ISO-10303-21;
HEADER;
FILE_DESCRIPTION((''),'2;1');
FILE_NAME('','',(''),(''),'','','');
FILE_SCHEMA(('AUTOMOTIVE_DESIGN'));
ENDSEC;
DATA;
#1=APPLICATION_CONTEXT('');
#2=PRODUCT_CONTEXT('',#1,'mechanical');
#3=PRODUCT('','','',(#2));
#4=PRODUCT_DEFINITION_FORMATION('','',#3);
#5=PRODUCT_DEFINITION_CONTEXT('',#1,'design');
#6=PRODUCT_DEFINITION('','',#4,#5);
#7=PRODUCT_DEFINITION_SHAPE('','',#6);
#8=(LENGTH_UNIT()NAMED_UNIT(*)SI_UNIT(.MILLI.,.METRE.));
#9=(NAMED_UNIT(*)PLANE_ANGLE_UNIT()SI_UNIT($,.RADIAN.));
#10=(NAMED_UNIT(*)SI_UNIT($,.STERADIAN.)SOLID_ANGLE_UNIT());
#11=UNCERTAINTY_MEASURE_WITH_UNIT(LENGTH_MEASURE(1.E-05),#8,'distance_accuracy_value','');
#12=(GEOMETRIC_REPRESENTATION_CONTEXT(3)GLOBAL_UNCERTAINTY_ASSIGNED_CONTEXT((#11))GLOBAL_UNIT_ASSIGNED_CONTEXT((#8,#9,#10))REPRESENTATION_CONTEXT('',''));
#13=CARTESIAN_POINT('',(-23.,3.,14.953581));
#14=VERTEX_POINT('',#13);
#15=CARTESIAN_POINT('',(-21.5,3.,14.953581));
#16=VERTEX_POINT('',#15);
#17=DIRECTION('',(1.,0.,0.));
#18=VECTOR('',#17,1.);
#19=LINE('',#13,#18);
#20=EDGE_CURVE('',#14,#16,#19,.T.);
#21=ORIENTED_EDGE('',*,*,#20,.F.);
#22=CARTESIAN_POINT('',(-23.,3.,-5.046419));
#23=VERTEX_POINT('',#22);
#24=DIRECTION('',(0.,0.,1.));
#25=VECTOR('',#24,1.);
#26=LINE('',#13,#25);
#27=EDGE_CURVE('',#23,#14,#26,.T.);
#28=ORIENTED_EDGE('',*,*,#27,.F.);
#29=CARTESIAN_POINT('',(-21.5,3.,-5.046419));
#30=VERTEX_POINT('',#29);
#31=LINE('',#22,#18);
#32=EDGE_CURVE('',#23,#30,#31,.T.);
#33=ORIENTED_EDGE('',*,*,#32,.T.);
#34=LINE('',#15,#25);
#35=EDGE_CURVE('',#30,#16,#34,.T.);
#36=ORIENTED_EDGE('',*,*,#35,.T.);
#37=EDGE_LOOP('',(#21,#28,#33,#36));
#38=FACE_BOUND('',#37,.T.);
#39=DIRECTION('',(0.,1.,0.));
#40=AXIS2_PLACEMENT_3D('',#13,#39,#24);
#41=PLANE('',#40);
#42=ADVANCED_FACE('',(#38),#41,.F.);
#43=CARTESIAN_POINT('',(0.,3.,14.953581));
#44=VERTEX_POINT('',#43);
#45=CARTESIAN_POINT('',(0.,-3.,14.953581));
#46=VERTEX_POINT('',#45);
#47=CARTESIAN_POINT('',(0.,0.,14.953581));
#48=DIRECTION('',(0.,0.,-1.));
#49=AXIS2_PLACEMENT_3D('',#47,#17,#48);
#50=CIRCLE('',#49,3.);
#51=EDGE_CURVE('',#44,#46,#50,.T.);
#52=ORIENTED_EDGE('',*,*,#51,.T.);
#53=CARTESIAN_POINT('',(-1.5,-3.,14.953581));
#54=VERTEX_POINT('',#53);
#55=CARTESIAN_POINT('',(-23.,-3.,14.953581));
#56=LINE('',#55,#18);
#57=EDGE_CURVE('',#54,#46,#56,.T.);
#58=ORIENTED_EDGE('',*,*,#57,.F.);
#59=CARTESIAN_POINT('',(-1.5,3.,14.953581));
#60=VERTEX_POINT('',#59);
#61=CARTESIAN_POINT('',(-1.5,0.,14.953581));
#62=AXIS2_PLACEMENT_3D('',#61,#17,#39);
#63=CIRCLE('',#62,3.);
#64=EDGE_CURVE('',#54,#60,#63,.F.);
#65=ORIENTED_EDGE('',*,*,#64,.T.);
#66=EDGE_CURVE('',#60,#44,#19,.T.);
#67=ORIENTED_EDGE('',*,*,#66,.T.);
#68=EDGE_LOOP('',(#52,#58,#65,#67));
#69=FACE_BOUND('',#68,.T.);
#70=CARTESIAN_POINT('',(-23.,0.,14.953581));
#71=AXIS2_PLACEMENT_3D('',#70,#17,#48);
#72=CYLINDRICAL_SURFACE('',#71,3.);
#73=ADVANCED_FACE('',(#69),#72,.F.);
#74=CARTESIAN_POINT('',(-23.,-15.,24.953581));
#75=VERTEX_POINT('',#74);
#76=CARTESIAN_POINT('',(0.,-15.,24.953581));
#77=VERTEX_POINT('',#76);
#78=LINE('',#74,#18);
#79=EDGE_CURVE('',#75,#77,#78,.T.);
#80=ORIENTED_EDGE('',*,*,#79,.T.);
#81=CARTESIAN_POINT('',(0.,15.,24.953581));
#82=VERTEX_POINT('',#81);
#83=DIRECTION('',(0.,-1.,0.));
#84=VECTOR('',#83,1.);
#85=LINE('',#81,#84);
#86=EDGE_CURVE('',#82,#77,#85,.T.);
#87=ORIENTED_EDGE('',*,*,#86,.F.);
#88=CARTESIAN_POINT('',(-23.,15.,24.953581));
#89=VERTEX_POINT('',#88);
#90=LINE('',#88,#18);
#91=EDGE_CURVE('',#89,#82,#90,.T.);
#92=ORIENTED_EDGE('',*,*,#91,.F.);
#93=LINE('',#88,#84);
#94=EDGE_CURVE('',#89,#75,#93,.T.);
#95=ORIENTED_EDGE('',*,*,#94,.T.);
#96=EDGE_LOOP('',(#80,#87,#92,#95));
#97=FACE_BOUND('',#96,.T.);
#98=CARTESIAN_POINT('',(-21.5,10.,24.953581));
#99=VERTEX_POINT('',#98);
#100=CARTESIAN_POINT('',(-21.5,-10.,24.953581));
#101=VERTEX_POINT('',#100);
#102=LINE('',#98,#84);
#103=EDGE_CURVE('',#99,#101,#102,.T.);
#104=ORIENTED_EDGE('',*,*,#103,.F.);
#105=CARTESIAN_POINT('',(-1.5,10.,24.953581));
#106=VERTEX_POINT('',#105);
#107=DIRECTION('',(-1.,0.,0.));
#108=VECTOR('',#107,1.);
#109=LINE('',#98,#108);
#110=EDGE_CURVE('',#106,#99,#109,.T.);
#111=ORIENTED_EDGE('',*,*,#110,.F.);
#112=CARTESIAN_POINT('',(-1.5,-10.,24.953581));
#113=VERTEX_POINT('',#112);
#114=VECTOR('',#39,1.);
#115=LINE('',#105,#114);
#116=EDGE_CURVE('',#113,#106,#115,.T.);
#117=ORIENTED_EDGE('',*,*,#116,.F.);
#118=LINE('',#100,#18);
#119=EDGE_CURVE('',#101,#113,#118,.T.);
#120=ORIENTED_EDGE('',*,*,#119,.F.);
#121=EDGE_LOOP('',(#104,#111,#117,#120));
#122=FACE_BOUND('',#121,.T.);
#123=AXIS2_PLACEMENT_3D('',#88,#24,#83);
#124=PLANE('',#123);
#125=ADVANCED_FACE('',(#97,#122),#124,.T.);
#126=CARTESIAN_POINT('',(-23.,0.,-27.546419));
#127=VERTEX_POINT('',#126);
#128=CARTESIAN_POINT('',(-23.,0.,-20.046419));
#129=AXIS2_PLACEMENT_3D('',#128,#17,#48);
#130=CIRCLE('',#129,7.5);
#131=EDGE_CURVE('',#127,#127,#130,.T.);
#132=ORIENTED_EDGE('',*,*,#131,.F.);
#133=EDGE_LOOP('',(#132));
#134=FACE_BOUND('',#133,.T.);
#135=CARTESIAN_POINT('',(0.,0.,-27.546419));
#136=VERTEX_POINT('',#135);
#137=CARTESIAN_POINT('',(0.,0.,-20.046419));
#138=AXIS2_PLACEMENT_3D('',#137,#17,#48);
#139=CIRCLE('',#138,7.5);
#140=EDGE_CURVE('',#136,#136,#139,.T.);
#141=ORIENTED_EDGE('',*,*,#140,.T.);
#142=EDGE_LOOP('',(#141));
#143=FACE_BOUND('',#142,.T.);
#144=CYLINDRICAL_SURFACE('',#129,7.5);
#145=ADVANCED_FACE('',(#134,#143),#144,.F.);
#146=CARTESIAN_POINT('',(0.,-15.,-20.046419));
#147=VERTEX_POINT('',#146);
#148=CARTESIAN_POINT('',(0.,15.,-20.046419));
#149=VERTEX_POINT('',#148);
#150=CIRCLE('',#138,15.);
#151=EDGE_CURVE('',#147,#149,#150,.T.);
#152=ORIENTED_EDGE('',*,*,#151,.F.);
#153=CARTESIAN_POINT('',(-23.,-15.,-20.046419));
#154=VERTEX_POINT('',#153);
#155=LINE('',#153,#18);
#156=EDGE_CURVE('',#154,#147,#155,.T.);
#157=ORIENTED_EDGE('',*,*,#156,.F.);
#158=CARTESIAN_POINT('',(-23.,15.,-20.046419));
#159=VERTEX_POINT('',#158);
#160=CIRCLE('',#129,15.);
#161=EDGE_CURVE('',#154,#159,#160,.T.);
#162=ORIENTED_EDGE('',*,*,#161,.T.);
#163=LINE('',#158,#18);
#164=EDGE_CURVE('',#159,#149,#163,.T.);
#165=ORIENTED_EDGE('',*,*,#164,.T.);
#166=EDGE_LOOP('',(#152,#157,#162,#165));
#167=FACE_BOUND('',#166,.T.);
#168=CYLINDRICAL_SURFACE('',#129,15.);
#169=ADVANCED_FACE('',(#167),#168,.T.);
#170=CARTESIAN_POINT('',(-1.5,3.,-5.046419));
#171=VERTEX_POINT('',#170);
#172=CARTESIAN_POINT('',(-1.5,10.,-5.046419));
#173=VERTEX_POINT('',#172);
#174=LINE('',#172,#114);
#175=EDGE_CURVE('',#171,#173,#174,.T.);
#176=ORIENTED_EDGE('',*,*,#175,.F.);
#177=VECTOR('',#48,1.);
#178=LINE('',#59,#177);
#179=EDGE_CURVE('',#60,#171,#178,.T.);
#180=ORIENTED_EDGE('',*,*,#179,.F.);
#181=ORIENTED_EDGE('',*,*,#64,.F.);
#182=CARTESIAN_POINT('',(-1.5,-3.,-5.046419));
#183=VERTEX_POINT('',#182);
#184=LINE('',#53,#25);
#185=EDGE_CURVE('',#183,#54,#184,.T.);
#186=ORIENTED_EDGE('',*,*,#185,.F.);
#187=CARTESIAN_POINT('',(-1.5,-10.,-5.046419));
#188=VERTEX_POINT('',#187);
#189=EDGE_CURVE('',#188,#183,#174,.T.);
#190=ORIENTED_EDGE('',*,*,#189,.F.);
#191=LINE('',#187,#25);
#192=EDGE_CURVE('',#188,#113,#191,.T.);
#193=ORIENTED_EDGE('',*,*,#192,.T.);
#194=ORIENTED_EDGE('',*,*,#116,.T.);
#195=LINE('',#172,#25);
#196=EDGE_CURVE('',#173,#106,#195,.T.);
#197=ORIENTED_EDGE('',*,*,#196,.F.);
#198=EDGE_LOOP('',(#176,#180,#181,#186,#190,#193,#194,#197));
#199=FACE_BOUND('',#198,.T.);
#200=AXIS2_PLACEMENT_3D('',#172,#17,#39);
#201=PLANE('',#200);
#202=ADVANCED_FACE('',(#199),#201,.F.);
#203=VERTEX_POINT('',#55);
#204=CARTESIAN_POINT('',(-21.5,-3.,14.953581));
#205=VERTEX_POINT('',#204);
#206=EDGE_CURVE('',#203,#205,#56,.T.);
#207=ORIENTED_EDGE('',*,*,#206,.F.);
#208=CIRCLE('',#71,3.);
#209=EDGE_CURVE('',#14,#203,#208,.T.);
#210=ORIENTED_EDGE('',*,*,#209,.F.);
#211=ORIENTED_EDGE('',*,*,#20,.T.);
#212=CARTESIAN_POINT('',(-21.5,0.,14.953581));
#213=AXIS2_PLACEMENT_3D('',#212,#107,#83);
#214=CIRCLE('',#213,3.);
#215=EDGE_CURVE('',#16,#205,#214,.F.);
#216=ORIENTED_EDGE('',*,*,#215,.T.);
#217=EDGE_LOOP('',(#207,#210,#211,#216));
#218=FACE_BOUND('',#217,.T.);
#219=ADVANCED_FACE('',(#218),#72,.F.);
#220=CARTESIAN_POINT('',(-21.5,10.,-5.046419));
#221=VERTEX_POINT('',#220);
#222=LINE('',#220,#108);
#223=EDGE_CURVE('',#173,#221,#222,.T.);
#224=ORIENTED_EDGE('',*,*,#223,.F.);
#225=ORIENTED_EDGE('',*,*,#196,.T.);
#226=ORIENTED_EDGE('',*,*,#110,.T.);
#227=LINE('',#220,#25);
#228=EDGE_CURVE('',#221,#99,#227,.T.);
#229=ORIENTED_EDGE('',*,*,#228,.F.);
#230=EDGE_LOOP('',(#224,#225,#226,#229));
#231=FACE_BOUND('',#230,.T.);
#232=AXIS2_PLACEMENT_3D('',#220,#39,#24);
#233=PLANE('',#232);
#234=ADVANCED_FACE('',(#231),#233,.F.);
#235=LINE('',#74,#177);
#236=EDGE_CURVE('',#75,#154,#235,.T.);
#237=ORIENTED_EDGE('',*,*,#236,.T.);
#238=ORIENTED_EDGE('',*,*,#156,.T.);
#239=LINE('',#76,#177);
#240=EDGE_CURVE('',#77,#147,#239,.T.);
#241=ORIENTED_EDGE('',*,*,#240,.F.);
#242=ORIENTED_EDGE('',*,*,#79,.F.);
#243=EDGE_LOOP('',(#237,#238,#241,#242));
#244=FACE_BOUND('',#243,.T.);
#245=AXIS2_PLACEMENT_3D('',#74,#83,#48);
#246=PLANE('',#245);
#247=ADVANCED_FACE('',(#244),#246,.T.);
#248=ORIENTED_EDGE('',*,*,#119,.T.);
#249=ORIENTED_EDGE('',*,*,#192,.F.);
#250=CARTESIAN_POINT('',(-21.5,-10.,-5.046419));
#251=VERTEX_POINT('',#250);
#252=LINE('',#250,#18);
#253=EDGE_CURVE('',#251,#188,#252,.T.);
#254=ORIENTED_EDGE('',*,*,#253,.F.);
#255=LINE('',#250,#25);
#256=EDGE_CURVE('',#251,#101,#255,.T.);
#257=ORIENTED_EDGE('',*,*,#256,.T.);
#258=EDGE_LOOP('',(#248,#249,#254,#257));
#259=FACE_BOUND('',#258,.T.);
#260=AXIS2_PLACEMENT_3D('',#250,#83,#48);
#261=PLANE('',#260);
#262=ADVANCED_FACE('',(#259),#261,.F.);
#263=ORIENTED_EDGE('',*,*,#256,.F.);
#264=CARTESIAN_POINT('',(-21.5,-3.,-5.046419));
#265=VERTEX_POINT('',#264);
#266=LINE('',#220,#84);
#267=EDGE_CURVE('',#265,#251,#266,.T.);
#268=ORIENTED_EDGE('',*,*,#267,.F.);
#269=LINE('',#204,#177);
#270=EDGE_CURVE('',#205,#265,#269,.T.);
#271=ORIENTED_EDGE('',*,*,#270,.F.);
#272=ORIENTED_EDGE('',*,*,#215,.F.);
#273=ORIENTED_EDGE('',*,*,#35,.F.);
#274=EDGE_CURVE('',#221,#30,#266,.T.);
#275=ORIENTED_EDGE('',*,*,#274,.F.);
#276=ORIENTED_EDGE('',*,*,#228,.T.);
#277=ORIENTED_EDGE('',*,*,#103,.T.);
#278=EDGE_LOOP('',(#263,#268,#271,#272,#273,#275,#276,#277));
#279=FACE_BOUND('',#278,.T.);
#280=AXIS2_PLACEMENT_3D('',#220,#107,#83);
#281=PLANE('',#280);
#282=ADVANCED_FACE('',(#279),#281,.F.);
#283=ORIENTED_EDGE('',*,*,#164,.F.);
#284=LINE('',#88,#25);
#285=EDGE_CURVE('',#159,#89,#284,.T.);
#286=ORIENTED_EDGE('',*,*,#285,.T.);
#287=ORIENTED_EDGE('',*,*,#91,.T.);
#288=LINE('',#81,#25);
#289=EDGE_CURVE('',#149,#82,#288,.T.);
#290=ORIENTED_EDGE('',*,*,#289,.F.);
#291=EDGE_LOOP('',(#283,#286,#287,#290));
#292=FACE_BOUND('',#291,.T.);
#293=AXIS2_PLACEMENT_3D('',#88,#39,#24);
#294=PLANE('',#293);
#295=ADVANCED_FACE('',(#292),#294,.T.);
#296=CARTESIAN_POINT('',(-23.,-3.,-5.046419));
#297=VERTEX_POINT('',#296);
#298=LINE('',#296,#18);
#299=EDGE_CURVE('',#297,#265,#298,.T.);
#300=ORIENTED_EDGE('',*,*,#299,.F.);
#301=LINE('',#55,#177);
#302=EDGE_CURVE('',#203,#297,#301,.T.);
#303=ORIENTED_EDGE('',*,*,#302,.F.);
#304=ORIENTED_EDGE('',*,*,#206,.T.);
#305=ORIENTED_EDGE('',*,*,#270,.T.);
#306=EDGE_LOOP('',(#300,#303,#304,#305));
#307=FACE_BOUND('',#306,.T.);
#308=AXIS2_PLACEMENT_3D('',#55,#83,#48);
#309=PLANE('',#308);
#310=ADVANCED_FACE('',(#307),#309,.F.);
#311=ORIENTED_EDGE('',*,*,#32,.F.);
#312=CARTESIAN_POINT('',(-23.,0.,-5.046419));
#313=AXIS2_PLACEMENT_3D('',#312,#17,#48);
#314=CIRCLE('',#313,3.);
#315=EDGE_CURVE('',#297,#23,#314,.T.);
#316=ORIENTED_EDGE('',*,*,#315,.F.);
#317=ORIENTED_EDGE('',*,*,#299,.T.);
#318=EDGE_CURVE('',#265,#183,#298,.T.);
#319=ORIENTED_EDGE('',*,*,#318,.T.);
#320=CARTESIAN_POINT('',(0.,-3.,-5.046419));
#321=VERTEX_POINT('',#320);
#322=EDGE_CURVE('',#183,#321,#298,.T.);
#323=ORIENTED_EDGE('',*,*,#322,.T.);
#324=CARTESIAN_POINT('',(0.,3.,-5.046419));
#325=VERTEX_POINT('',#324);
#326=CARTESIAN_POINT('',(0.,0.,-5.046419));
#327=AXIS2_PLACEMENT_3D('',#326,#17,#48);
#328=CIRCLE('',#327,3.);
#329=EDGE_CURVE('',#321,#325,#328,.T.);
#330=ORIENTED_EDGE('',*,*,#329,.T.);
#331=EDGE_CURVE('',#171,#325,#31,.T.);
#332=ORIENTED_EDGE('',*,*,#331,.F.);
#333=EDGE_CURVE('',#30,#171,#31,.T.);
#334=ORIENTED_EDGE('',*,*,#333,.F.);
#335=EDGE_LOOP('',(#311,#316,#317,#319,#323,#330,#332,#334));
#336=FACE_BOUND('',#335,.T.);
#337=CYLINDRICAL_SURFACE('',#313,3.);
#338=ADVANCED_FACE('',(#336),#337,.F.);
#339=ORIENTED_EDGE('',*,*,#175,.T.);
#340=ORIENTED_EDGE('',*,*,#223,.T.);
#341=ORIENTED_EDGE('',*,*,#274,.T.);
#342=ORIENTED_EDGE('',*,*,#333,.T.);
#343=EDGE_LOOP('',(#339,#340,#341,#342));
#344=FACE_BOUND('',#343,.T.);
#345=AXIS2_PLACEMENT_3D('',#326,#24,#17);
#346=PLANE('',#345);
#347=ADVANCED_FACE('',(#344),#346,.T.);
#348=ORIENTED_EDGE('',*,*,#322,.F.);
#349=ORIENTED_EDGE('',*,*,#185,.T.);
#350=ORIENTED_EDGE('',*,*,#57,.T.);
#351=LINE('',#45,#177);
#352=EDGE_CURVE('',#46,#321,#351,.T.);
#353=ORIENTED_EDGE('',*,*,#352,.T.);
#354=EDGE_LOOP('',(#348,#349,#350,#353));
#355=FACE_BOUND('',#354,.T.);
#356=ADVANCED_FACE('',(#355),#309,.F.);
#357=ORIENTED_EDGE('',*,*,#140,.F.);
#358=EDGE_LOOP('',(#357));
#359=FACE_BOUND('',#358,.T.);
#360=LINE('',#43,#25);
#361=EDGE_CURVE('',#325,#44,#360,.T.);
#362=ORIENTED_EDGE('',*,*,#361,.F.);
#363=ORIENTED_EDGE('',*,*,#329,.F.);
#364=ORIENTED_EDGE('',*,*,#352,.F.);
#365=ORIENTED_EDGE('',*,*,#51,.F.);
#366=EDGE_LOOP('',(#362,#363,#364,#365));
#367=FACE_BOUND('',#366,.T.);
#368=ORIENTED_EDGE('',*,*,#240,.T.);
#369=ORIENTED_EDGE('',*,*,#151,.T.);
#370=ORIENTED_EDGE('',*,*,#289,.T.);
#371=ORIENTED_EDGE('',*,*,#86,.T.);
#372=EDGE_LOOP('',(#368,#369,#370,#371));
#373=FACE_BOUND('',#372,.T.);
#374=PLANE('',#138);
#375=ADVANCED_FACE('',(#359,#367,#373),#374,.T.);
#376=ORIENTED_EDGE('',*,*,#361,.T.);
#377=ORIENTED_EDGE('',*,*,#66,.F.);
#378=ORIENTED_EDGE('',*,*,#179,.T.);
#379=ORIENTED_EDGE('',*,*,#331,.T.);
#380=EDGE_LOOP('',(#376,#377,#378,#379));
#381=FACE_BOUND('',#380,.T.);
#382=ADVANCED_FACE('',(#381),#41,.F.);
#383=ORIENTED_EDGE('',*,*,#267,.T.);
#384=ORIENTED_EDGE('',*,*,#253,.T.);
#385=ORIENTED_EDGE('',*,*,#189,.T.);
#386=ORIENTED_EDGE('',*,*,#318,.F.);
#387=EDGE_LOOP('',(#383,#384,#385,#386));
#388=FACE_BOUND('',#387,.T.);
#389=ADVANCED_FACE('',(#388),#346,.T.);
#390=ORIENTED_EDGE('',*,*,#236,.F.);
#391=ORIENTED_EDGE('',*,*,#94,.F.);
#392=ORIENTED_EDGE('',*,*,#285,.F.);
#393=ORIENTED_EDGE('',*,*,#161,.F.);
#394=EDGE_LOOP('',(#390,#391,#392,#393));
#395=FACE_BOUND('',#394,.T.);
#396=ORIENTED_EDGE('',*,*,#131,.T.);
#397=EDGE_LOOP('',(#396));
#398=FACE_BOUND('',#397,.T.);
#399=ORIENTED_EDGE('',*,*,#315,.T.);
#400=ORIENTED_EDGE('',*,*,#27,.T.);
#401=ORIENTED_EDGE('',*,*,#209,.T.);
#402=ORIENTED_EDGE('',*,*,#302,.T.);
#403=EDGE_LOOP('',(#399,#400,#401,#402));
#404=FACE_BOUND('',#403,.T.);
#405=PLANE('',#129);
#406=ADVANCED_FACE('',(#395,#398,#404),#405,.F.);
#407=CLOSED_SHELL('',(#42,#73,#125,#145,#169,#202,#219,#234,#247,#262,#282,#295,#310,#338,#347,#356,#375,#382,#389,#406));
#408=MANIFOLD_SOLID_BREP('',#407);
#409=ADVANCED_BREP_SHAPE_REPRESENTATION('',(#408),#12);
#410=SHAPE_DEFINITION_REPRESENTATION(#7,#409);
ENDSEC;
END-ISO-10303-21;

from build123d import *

# Parameters (mm, degrees)
BOSS_EXTRUDE1_DEPTH = 23
CUT_EXTRUDE1_DEPTH  = 45.52248299
SKETCH3_R           = 7.5
CUT_EXTRUDE2_DEPTH  = 45.52248299
SKETCH4_W           = 20
SKETCH4_H           = 20
CUT_EXTRUDE3_DEPTH  = 30


with BuildPart() as part:
    # Sketch1 → Boss-Extrude1 (new body)
    with BuildSketch(Plane(origin=(0, 0, 0), x_dir=(0, 0, -1), z_dir=(1, 0, 0))):
        with BuildLine():
            Line((-24.953580902, 15), (20.046419098, 15))
            ThreePointArc((20.046419098, 15), (35.046419098, 0), (20.046419098, -15))
            Line((20.046419098, -15), (-24.953580902, -15))
            Line((-24.953580902, -15), (-24.953580902, 15))
        make_face()
    extrude(amount=-BOSS_EXTRUDE1_DEPTH)

    # Sketch2 → Cut-Extrude1 (cut, through all)
    with BuildSketch(Plane(origin=(0, 0, 0), x_dir=(0, 0, -1), z_dir=(1, 0, 0))):
        with BuildLine():
            Line((-14.953580902, 3), (5.046419098, 3))
            ThreePointArc((5.046419098, 3), (8.046419098, 0), (5.046419098, -3))
            Line((5.046419098, -3), (-14.953580902, -3))
            ThreePointArc((-14.953580902, -3), (-17.953580902, 0), (-14.953580902, 3))
        make_face()
    extrude(amount=-CUT_EXTRUDE1_DEPTH, mode=Mode.SUBTRACT)

    # Sketch3 → Cut-Extrude2 (cut, through all)
    with BuildSketch(Plane(origin=(0, 0, 0), x_dir=(0, 0, -1), z_dir=(1, 0, 0))):
        with Locations((20.046419098, 0)):
            Circle(SKETCH3_R)
    extrude(amount=-CUT_EXTRUDE2_DEPTH, mode=Mode.SUBTRACT)

    # Sketch4 → Cut-Extrude3 (cut)
    with BuildSketch(Plane.XY.offset(24.953580902)):
        with Locations((-11.5, 0)):
            Rectangle(SKETCH4_W, SKETCH4_H)
    extrude(amount=-CUT_EXTRUDE3_DEPTH, mode=Mode.SUBTRACT)


solid = part.part
